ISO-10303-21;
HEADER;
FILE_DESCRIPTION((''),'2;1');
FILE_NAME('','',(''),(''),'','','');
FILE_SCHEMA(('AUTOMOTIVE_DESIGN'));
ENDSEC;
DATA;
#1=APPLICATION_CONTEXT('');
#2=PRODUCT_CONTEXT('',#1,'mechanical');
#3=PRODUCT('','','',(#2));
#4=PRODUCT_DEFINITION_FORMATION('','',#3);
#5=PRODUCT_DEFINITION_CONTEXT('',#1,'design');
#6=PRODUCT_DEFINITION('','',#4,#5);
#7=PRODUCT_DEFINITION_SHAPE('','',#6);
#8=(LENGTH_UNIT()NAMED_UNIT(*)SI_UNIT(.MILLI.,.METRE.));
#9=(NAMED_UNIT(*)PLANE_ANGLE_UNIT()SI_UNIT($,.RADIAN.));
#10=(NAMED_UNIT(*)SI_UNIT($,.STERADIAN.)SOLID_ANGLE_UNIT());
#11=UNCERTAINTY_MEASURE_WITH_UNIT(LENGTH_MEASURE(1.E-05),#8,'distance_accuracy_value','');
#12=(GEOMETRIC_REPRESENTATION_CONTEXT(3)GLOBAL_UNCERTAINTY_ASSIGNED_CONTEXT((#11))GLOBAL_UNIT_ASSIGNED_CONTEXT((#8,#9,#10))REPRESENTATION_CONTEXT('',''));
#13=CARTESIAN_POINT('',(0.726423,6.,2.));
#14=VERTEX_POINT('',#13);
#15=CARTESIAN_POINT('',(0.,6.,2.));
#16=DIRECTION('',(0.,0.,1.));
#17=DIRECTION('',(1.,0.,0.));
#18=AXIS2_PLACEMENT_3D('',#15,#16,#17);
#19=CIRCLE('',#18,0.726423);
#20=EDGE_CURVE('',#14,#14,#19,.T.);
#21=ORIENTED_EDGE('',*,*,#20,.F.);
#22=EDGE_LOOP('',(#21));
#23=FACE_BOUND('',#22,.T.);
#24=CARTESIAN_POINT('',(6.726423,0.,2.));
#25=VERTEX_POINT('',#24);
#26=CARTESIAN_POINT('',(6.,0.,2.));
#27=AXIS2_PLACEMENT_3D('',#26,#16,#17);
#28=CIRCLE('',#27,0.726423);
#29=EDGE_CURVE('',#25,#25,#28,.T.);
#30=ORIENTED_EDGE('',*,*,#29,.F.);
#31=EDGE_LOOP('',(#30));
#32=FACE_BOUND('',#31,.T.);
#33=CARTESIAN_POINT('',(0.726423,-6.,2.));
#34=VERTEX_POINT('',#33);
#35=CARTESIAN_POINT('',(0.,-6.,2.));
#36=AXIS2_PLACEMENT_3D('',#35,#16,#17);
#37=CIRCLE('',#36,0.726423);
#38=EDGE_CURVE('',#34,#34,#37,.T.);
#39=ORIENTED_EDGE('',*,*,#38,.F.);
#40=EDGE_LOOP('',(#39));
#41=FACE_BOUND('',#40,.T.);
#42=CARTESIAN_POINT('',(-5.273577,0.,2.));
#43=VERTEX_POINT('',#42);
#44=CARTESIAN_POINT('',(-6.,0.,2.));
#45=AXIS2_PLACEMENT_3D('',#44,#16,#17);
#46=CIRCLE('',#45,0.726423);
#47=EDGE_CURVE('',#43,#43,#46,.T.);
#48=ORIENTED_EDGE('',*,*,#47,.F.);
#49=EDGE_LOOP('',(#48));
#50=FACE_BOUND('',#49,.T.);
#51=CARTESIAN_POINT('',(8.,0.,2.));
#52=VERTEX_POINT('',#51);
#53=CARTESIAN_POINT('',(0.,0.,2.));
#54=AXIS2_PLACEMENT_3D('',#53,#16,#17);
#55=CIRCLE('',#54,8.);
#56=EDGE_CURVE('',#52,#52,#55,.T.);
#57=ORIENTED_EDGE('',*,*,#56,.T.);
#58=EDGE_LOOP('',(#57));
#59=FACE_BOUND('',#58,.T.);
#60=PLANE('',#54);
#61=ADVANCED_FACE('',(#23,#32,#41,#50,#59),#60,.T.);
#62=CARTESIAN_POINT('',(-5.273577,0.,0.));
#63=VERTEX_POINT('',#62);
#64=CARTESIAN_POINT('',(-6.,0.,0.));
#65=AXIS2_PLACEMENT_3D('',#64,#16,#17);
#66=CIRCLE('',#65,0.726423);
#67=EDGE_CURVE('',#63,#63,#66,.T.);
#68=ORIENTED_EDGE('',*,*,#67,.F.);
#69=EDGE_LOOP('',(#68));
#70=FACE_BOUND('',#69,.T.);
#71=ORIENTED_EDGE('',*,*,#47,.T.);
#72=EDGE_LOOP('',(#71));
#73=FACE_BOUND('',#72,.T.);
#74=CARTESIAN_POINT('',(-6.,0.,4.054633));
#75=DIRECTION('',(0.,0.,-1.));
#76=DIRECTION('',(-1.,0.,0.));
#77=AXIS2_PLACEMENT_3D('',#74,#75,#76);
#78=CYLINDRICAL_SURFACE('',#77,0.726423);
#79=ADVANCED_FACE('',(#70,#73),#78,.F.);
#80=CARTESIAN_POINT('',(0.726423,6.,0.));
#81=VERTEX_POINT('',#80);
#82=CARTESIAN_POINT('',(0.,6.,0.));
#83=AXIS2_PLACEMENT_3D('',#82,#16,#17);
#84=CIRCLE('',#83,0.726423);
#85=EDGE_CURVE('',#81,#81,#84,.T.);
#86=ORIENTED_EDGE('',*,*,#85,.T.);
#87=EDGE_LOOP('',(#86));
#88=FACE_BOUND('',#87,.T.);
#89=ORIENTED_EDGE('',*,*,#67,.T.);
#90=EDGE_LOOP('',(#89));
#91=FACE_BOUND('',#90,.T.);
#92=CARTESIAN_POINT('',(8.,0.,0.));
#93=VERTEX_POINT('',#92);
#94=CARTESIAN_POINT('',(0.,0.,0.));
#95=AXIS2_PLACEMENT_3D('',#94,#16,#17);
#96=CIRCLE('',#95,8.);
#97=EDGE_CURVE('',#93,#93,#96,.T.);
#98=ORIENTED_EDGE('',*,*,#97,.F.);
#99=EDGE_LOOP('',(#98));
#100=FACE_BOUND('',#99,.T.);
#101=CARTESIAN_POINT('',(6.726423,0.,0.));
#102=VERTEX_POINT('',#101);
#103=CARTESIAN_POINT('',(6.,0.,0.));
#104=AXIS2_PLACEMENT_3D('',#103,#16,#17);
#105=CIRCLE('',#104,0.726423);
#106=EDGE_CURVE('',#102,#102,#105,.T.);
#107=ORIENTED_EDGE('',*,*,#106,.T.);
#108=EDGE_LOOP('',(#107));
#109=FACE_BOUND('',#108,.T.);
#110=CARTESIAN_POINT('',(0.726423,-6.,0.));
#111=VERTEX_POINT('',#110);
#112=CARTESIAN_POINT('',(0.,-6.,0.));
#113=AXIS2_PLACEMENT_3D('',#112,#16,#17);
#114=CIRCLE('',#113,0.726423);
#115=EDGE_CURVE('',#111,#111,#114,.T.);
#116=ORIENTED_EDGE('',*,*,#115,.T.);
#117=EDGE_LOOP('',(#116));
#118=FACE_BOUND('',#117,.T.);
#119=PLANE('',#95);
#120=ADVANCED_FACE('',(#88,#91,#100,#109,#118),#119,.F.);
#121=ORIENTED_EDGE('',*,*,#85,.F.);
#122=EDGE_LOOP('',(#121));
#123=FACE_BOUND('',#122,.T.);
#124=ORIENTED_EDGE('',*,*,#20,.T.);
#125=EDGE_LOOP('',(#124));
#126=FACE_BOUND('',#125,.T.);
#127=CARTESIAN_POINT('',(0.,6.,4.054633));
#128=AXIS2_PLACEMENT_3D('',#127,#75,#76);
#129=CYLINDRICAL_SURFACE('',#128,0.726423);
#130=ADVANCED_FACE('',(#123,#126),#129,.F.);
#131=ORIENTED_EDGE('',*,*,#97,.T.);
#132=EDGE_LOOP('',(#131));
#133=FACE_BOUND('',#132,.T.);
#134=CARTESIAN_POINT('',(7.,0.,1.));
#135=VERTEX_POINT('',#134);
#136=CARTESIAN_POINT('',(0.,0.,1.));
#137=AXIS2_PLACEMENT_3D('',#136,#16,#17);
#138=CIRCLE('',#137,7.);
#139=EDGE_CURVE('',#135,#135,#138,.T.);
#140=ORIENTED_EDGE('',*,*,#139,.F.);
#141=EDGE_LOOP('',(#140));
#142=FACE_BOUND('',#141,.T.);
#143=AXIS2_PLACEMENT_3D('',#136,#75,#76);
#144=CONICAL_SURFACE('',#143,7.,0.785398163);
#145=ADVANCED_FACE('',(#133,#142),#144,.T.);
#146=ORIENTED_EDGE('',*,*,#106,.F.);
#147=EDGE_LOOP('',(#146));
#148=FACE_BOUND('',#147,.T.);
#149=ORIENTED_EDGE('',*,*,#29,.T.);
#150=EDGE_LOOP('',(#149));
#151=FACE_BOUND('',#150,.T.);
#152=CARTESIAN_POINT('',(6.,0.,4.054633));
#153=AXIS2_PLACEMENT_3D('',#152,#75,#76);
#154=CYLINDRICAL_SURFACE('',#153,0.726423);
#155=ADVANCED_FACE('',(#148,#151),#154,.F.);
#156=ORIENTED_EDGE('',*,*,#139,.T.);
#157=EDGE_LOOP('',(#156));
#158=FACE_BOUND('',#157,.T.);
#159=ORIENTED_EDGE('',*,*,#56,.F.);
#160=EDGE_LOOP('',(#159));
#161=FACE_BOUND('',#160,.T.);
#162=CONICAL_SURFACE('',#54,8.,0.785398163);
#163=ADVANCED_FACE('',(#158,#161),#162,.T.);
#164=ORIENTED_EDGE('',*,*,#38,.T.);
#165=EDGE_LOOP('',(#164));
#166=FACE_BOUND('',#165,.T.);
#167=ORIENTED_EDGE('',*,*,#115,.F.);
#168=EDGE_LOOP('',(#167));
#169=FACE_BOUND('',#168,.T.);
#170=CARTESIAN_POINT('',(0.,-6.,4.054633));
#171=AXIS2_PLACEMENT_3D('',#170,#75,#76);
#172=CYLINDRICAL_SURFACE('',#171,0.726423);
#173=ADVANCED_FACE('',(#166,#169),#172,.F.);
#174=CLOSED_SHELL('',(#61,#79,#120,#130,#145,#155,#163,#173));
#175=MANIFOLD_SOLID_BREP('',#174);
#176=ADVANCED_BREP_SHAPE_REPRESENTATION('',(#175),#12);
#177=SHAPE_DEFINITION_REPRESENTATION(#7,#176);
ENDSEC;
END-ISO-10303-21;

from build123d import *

# Parameters (mm, degrees)
SKETCH1_R           = 8
BOSS_EXTRUDE1_DEPTH = 2
SKETCH2_R           = 0.726422571
CUT_EXTRUDE1_DEPTH  = 2


with BuildPart() as part:
    # Sketch1 → Boss-Extrude1 (new body)
    with BuildSketch(Plane.XY):
        Circle(SKETCH1_R)
    extrude(amount=BOSS_EXTRUDE1_DEPTH)

    # Sketch2 → Cut-Extrude1 (cut)
    with BuildSketch(Plane.XY):
        with Locations((-6, 0)):
            Circle(SKETCH2_R)
        with Locations((0, 6)):
            Circle(SKETCH2_R)
        with Locations((6, 0)):
            Circle(SKETCH2_R)
        with Locations((0, -6)):
            Circle(SKETCH2_R)
    extrude(amount=CUT_EXTRUDE1_DEPTH, mode=Mode.SUBTRACT)

    # Sketch3 → Cut-Revolve1 (revolve, cut)
    with BuildSketch(Plane(origin=(0, 0, 0), x_dir=(0, 0, -1), z_dir=(1, 0, 0))):
        Polygon((-2, 8), (-1, 7), (0, 8), align=None)
    revolve(axis=Axis((0, 0, 3.502327543), (0, 0, -1)), mode=Mode.SUBTRACT)


solid = part.part
